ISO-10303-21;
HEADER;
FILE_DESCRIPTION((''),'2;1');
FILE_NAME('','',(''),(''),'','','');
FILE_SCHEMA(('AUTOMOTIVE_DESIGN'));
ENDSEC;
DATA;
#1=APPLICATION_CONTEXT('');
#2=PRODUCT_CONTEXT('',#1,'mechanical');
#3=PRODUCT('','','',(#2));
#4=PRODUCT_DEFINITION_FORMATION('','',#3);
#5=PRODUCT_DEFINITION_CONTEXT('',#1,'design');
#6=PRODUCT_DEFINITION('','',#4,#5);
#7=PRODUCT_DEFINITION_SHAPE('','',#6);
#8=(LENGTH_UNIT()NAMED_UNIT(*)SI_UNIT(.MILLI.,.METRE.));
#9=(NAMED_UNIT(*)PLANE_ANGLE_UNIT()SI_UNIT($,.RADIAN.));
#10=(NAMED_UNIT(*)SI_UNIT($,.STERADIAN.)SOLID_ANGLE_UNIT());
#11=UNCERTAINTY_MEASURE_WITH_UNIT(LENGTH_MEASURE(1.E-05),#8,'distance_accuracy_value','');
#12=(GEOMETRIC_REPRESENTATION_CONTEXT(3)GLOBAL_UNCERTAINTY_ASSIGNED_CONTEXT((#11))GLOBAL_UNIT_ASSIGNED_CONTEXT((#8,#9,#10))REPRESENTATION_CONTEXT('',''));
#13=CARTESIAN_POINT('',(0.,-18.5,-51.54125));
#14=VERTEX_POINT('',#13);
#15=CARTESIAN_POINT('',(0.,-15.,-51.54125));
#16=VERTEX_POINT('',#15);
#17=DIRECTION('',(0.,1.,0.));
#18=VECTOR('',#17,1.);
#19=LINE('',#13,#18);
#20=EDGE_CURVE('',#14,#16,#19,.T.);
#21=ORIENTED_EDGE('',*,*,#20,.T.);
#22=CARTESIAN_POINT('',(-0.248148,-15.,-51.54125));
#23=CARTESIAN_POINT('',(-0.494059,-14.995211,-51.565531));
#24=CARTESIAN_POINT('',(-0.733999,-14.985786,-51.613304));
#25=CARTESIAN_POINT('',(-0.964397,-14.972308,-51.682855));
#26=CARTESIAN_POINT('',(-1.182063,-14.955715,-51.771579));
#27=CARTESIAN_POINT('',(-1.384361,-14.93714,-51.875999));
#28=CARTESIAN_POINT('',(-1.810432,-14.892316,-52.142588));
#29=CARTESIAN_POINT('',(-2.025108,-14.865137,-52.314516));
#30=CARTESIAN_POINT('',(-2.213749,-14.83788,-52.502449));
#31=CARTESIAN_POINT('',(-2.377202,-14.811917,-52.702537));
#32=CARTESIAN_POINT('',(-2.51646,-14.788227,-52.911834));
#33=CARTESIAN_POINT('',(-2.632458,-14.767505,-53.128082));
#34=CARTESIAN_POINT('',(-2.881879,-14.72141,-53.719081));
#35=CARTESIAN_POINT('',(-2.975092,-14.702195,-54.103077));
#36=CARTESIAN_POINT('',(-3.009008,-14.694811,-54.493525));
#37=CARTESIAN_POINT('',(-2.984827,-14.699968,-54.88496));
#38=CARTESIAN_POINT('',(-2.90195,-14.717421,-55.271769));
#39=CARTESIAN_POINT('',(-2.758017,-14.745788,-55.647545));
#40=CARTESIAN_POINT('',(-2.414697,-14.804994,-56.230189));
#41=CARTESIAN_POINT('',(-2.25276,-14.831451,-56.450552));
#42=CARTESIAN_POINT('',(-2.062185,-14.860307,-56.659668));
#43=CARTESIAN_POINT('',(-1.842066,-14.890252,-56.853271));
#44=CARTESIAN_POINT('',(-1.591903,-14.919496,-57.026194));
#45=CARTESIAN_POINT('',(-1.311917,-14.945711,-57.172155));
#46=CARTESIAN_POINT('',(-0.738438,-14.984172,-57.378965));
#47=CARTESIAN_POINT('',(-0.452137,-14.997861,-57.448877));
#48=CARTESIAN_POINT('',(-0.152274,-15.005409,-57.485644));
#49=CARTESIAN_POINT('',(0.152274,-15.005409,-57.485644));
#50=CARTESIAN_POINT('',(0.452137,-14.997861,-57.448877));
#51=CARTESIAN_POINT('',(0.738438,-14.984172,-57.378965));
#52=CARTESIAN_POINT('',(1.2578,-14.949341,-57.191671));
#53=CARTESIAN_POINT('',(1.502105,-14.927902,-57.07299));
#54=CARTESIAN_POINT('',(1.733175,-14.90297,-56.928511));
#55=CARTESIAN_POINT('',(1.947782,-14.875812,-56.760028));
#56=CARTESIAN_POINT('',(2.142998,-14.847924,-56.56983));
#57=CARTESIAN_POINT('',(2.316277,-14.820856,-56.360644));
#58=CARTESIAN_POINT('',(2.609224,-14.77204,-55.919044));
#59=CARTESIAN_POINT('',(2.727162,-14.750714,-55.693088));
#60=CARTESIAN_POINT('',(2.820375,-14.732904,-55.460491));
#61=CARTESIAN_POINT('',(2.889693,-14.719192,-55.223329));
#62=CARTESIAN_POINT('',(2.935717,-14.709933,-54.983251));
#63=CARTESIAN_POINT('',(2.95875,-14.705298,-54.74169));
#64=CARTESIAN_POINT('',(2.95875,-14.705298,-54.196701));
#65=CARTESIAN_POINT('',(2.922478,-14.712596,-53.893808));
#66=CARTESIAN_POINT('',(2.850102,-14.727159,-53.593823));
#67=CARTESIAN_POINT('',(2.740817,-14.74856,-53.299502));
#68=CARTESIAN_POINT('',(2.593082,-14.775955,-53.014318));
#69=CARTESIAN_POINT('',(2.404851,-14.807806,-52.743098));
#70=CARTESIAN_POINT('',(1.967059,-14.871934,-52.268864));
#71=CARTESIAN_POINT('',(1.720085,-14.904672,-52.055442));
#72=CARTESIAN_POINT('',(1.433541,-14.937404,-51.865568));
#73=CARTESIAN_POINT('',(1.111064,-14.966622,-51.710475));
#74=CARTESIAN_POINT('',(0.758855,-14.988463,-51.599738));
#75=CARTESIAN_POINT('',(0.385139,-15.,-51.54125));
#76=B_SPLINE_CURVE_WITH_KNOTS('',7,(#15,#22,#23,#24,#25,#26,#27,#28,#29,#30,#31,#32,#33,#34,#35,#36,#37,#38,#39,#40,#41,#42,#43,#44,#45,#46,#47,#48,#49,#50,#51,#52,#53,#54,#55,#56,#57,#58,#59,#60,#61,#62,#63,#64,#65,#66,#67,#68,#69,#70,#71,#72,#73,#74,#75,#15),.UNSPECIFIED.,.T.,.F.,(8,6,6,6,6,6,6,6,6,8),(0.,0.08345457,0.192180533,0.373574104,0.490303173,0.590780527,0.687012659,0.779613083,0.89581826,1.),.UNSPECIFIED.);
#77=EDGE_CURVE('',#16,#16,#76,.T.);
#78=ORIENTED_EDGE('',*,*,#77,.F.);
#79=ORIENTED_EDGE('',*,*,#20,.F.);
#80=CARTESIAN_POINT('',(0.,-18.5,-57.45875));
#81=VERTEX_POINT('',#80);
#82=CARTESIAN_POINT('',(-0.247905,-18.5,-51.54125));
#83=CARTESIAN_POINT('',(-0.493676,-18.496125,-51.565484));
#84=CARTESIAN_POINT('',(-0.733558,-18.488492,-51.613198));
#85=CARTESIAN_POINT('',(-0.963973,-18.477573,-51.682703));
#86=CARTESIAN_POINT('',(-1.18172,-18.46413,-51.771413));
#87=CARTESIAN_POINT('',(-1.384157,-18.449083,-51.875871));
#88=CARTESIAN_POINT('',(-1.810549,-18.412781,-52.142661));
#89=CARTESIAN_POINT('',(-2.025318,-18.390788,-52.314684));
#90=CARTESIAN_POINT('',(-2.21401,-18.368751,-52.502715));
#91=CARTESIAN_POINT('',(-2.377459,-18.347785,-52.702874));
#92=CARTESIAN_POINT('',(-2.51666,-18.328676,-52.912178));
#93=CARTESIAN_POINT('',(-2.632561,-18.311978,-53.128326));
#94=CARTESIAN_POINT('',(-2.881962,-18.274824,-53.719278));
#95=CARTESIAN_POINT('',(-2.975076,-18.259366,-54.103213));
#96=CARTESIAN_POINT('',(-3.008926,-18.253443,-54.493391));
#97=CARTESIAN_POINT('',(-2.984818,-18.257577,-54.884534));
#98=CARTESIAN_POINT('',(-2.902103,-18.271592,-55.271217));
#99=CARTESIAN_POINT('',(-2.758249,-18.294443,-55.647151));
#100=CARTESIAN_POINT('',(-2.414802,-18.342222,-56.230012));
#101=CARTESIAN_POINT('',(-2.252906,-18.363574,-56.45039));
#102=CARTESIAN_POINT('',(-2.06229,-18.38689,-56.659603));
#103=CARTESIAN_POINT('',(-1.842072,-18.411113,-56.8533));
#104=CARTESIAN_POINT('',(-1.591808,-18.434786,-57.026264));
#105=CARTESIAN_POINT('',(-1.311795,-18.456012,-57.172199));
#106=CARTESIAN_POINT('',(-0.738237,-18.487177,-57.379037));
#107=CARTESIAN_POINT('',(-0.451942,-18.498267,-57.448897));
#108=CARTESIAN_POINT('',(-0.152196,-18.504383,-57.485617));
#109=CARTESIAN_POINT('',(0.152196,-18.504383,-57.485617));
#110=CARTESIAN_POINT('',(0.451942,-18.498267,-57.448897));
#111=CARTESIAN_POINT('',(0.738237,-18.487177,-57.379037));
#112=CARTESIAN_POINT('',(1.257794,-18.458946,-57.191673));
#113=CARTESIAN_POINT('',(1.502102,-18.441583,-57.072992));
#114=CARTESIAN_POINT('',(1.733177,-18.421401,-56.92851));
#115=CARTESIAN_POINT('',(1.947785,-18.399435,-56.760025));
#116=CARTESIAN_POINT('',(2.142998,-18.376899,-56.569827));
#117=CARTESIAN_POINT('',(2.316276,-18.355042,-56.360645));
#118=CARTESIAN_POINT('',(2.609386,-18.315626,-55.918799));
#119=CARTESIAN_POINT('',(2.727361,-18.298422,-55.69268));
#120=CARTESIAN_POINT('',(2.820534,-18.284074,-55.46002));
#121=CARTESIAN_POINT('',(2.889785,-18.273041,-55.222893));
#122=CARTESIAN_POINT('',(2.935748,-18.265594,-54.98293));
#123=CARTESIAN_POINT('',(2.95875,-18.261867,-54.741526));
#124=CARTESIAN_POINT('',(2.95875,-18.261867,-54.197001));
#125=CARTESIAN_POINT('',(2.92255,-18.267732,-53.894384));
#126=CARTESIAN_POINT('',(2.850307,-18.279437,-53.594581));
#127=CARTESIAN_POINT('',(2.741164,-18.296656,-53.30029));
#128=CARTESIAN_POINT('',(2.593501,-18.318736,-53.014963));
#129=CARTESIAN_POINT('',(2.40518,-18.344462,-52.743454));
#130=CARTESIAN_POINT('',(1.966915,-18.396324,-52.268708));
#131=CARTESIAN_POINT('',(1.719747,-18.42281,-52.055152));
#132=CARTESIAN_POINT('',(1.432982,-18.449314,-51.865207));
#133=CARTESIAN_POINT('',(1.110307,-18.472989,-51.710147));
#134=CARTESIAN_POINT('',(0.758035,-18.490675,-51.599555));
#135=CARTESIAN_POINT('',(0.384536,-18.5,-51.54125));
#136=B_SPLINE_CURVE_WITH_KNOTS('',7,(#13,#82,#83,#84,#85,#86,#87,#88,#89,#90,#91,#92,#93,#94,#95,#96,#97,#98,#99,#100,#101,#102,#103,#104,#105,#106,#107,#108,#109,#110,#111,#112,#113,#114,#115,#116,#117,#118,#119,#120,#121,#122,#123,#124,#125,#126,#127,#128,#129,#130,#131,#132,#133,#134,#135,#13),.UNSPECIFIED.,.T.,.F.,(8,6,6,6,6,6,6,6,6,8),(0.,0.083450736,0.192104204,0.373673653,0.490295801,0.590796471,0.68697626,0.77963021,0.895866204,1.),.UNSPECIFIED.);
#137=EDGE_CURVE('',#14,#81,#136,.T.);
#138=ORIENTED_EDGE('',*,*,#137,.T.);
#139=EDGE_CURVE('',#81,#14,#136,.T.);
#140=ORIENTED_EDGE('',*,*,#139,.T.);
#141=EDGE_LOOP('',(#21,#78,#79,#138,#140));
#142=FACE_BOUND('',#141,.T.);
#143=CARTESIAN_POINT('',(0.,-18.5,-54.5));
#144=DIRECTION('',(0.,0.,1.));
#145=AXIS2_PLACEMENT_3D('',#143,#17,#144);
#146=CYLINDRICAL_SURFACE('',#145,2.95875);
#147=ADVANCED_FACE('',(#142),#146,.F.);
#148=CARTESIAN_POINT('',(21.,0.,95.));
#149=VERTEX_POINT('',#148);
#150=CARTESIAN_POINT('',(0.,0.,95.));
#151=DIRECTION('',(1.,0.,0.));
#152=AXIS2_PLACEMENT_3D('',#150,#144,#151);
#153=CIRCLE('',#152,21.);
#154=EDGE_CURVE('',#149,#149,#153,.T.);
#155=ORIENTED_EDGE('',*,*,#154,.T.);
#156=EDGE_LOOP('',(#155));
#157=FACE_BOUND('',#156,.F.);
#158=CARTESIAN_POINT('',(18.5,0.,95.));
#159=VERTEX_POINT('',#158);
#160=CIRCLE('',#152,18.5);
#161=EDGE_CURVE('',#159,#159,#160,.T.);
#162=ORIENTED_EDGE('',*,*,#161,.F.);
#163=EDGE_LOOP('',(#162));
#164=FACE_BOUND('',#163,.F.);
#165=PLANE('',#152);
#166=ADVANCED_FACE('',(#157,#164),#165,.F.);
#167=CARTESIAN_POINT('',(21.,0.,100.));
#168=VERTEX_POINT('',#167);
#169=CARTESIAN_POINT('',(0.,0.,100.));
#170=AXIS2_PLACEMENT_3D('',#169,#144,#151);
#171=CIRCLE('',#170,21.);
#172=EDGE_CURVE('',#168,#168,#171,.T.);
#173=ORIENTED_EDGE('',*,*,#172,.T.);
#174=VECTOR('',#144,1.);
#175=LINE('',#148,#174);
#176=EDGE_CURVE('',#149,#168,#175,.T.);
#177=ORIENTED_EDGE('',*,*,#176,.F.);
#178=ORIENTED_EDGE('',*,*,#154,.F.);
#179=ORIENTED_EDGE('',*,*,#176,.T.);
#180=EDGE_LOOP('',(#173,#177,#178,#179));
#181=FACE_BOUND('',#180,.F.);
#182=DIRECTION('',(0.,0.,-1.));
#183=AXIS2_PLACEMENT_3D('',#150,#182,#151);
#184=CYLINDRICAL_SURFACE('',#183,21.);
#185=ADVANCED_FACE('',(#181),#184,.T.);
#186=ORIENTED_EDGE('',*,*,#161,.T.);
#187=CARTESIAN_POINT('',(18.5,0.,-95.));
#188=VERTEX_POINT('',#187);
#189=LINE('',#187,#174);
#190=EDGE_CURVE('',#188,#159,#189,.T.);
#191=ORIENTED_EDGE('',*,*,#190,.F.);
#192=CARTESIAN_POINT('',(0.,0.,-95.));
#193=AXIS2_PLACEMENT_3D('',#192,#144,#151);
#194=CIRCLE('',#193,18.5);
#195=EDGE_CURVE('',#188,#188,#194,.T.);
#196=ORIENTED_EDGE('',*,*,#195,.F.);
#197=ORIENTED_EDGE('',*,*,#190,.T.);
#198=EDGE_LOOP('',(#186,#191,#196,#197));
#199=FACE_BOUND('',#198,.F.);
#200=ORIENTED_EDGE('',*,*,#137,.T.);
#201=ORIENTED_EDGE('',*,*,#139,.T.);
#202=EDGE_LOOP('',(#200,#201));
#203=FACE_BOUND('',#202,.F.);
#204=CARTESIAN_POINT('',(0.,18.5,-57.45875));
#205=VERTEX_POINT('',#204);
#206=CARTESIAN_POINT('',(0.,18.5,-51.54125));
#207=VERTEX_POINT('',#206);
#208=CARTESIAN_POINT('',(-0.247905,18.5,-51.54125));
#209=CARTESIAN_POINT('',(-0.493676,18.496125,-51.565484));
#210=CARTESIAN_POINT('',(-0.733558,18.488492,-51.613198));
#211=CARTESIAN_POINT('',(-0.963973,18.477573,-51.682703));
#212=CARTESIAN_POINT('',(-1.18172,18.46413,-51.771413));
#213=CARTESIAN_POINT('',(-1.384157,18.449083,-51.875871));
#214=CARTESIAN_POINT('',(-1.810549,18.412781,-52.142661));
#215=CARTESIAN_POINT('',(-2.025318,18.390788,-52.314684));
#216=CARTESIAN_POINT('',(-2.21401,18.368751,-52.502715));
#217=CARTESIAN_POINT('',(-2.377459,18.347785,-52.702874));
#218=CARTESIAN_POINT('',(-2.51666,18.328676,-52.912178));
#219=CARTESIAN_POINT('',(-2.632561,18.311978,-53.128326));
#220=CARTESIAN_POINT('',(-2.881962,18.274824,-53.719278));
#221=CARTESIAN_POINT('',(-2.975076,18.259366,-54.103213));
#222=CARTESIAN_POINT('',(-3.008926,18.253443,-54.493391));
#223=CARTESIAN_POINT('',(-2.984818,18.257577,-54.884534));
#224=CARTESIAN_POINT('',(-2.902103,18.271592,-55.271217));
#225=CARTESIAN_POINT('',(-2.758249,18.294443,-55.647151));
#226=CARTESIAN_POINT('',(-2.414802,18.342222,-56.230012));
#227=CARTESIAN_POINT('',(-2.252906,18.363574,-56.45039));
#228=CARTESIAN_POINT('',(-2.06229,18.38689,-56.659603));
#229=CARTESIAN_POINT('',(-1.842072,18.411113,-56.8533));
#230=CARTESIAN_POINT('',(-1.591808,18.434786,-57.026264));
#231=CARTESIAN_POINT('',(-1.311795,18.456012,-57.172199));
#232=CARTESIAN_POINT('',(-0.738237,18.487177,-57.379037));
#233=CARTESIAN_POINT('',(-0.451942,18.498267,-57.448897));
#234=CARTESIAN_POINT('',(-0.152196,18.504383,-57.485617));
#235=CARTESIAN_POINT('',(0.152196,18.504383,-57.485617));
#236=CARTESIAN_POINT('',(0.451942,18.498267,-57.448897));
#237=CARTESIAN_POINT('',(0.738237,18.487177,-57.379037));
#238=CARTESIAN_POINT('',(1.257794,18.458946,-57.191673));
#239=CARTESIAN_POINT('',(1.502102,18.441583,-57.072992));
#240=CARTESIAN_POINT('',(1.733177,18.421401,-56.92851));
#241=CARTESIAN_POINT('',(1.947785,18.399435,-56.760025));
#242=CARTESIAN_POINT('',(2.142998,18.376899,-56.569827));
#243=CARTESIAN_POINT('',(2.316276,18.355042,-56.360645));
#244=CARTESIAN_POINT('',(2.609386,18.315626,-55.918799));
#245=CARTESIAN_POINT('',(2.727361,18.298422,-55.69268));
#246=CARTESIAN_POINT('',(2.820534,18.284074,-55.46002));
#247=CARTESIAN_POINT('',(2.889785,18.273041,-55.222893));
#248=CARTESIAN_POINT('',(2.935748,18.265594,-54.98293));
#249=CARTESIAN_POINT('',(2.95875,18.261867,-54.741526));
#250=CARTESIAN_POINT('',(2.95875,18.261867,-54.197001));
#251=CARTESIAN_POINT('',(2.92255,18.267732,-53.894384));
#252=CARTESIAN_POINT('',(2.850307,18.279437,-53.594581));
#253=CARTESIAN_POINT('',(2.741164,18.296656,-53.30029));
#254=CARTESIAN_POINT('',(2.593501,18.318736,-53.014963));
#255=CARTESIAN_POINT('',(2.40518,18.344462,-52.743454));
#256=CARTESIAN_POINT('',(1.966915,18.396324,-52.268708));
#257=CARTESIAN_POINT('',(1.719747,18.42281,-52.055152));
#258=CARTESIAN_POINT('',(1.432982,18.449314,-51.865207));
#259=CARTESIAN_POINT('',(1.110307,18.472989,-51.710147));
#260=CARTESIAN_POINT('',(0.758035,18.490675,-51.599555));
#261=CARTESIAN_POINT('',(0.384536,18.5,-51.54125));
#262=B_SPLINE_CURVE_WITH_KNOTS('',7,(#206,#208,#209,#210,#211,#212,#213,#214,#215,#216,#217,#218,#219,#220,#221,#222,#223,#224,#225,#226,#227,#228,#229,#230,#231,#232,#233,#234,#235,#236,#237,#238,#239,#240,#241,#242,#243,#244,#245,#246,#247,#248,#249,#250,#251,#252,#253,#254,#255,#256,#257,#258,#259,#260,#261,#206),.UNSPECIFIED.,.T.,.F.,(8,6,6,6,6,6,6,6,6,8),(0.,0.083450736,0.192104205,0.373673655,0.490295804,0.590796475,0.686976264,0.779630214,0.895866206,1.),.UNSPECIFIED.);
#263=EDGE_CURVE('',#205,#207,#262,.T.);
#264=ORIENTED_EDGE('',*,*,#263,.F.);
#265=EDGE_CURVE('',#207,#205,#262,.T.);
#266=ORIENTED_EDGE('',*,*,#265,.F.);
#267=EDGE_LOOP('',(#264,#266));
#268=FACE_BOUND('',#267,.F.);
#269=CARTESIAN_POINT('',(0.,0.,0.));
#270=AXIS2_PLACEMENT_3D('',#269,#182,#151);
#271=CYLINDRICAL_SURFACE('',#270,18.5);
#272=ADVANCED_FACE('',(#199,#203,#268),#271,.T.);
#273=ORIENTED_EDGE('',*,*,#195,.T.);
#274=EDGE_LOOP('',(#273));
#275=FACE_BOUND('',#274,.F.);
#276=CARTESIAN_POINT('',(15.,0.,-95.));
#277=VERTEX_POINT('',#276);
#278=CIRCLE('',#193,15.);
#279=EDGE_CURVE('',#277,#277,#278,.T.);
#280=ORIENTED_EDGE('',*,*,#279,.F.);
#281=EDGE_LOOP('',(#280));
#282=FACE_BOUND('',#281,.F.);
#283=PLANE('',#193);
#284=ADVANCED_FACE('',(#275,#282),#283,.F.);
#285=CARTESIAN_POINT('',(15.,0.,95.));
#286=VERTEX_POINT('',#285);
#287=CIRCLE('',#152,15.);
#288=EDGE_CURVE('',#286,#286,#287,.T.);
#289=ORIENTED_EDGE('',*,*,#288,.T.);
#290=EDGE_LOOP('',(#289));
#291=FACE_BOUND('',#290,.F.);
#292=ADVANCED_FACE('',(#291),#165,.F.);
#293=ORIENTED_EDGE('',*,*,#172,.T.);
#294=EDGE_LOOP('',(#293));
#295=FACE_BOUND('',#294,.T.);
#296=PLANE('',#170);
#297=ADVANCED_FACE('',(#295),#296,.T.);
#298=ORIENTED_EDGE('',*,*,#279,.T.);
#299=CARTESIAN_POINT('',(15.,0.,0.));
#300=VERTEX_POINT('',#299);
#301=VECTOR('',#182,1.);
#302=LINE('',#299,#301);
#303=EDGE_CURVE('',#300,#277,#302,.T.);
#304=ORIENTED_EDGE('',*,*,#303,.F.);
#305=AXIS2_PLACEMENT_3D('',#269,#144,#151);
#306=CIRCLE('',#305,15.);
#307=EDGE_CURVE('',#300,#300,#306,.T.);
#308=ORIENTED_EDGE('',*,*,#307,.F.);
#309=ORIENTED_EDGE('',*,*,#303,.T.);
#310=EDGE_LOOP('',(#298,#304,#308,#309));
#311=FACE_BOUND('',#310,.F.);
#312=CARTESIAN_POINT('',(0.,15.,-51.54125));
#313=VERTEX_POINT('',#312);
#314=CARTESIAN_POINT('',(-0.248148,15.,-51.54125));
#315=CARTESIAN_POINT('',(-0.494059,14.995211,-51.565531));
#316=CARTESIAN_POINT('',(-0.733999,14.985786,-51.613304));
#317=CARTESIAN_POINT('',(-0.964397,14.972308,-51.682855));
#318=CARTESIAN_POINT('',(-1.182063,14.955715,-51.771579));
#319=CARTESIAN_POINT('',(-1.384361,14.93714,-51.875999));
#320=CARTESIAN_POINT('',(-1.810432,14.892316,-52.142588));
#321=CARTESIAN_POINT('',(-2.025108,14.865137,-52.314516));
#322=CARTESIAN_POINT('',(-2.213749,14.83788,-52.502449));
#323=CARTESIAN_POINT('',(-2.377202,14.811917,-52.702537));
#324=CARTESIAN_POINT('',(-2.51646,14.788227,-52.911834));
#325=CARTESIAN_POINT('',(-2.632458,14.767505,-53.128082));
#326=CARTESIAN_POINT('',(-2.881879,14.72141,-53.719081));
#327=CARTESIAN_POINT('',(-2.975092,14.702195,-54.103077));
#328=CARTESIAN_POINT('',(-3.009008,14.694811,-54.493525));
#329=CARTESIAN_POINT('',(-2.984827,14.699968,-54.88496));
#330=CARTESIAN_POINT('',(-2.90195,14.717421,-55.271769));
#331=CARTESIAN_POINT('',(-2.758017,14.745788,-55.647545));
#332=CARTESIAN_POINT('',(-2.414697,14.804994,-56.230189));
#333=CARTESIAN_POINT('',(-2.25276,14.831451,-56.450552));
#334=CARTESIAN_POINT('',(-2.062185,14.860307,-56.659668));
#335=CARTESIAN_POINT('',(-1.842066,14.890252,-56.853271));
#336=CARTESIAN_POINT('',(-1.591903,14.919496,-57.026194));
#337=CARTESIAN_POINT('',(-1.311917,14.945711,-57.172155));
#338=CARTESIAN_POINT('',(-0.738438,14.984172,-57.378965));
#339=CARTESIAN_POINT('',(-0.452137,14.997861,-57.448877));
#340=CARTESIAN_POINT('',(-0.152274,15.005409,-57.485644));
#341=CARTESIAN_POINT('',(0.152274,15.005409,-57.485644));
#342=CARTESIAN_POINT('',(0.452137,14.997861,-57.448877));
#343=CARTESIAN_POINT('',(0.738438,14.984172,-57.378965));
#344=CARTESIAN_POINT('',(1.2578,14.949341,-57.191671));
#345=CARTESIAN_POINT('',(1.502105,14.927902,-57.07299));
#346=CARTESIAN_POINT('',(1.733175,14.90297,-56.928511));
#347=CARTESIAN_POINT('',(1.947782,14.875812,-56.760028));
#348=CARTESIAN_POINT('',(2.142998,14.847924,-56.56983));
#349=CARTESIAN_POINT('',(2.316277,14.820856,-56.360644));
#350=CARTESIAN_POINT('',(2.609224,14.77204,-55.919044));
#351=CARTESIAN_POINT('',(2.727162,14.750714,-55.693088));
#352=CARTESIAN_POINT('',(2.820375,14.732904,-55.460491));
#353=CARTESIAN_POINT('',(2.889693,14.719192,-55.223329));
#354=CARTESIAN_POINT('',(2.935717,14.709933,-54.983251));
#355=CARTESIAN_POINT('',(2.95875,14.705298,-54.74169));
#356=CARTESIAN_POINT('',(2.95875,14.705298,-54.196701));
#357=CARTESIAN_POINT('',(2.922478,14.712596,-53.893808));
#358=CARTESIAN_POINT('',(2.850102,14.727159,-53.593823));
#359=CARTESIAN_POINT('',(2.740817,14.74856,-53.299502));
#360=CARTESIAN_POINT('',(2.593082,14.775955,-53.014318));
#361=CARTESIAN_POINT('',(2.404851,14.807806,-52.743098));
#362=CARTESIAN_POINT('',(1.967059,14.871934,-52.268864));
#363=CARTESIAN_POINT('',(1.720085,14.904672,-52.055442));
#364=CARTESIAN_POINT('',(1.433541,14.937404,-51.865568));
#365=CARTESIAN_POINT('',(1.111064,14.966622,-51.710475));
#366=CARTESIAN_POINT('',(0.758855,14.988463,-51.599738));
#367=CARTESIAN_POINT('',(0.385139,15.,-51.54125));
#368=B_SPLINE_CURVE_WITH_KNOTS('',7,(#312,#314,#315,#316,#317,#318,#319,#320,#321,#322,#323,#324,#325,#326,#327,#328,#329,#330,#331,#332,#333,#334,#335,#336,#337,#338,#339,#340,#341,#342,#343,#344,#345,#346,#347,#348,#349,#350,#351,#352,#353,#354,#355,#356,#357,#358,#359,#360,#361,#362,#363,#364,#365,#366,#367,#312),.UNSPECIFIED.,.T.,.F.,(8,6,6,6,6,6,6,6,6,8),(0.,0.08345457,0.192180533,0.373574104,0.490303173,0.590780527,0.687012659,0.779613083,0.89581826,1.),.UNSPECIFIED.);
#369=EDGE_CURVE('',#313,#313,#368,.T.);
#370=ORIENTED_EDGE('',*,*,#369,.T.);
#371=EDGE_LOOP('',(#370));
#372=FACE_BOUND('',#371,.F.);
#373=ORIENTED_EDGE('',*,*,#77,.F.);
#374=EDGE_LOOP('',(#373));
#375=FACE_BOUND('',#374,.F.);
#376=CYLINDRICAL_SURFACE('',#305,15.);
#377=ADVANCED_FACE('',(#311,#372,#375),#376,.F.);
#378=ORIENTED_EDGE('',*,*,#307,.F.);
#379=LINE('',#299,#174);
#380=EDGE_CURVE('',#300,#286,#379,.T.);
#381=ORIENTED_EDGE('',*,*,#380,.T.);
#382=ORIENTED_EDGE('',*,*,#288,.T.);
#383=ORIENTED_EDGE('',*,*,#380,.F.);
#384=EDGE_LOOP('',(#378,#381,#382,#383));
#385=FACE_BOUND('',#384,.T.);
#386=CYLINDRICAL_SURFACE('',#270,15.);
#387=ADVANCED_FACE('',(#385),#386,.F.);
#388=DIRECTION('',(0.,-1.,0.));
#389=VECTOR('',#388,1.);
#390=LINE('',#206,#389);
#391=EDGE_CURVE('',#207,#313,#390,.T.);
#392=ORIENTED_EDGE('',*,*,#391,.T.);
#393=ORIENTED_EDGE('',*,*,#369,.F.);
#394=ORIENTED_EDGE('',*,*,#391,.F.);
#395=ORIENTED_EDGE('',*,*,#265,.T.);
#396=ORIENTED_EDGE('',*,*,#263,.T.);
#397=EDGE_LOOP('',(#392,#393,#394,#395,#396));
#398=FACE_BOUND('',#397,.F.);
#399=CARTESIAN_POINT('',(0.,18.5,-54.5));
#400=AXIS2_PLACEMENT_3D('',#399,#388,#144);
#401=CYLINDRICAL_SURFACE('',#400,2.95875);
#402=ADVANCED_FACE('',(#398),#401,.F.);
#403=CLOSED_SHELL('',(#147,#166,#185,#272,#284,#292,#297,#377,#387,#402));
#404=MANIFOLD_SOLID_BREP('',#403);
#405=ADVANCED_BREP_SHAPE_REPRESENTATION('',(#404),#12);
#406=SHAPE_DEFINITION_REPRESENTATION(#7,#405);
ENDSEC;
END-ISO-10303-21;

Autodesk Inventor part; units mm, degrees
ref_plane "YZ Plane" through (0, 0, 0) normal (1, 0, 0) x (0, 1, 0)
ref_plane "XZ Plane" through (0, 0, 0) normal (0, 1, 0) x (-1, 0, 0)
sketch "Sketch1" plane through (0, 0, 0) normal (0, 0, 1) x (1, 0, 0)
  circle A0 centre (0, 0) radius 18.5
  circle A1 centre (0, 0) radius 15
  dimension "d0" = 37
  dimension "d1" = 30
extrude "Extrusion1" add sketch "Sketch1" along normal mid plane 190
ref_plane "Work Plane4" through (0, 18.5, 0) normal (0, 1, 0) x (-1, 0, 0)
sketch "Sketch4" plane through (0, 18.5, 0) normal (0, 1, 0) x (-1, 0, 0)
  line L0 (-18.5, -95) -> (18.5, -95) projected
  line L1 (18.5, -95) -> (18.5, 95) projected
  line L2 (-18.5, -95) -> (18.5, -95) projected
  line L3 (18.5, 95) -> (-18.5, 95) projected
  point P0 (0, 0)
  point P1 (0, -54.5)
  dimension "d14" = 40.5
  dimension "d22" = 190
  dimension "d23" = 18.5
hole "Hole1" at (0, 18.5, -54.5) direction (0, -1, 0) diameter 5.9175 depth 19.1 tip angle 118 thread size "M7x1" class "6H" standard "ISO Metric profile"
mirror "Mirror2" about plane through (0, 0, 0) normal (0, 1, 0) of "Hole1"
sketch "Sketch5" plane through (0, 0, 95) normal (0, 0, 1) x (1, 0, 0)
  circle A0 centre (0, 0) radius 21
  dimension "d24" = 42
extrude "Extrusion3" add sketch "Sketch5" along normal blind 5
properties part number "EjeRodilla"
